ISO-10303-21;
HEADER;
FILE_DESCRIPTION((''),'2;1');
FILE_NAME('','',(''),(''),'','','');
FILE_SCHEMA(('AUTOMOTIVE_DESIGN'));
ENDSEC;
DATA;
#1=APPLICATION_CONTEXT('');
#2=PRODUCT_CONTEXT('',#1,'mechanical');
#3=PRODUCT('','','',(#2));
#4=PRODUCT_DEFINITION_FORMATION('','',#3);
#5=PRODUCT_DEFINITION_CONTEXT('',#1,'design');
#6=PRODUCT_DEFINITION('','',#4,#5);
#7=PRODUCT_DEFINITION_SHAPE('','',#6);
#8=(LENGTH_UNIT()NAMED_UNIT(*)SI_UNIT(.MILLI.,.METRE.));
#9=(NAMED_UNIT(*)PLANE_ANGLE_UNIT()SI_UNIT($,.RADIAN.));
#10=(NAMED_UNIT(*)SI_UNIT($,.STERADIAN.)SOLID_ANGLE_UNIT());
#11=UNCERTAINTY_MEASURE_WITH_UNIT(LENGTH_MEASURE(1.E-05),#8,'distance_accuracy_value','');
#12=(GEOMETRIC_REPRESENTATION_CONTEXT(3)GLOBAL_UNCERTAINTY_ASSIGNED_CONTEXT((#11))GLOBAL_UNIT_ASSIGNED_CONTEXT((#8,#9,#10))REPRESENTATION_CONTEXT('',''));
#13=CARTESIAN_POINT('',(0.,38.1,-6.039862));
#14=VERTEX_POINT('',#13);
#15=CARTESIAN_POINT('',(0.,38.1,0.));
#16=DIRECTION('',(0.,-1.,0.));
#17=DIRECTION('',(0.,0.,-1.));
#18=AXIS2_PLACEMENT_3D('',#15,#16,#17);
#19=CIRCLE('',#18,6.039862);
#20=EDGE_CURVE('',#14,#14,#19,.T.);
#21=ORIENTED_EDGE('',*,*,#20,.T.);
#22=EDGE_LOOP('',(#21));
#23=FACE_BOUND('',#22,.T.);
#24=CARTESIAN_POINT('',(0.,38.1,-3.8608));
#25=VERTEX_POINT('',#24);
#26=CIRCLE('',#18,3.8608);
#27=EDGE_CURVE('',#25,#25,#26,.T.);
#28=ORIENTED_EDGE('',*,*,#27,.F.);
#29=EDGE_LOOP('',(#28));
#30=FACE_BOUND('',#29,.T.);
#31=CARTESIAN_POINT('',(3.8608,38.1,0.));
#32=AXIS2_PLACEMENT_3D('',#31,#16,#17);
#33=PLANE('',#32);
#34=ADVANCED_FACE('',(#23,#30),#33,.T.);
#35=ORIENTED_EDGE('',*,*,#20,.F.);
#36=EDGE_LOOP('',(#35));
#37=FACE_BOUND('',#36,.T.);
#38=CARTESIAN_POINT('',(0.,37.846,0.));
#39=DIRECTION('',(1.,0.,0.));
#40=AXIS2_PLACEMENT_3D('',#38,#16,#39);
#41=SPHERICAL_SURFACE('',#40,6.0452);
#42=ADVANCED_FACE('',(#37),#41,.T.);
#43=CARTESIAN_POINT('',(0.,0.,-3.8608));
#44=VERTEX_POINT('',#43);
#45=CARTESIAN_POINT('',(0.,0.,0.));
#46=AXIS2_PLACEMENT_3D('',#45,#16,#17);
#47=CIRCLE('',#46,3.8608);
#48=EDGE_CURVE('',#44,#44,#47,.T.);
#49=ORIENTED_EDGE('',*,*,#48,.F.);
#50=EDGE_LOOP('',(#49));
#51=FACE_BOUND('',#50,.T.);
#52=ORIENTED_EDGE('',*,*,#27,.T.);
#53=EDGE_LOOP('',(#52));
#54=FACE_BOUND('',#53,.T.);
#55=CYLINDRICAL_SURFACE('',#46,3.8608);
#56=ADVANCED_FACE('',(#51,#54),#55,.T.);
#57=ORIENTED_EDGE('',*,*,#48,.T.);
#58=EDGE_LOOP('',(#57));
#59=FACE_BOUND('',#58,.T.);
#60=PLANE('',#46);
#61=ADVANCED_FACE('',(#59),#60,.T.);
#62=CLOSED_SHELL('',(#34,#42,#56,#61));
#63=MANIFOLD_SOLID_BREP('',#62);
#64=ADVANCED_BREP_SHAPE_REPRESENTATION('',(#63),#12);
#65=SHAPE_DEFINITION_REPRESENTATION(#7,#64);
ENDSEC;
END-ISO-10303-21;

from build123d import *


with BuildPart() as part:
    # Sketch1 → Revolve1 (revolve)
    with BuildSketch(Plane.XY, mode=Mode.PRIVATE) as revolve1_sk:
        with BuildLine():
            Line((0, 0), (3.8608, 0))
            Line((3.8608, 0), (3.8608, 38.1))
            Line((3.8608, 38.1), (6.039861508, 38.1))
            ThreePointArc((6.039861508, 38.1), (4.183835695, 42.209480482), (0, 43.8912))
            Line((0, 43.8912), (0, 0))
        make_face()
    revolve(revolve1_sk.sketch.rotate(Axis((0, 0, 0), (0, 1, 0)), 90), axis=Axis((0, 0, 0), (0, 1, 0)))


solid = part.part
